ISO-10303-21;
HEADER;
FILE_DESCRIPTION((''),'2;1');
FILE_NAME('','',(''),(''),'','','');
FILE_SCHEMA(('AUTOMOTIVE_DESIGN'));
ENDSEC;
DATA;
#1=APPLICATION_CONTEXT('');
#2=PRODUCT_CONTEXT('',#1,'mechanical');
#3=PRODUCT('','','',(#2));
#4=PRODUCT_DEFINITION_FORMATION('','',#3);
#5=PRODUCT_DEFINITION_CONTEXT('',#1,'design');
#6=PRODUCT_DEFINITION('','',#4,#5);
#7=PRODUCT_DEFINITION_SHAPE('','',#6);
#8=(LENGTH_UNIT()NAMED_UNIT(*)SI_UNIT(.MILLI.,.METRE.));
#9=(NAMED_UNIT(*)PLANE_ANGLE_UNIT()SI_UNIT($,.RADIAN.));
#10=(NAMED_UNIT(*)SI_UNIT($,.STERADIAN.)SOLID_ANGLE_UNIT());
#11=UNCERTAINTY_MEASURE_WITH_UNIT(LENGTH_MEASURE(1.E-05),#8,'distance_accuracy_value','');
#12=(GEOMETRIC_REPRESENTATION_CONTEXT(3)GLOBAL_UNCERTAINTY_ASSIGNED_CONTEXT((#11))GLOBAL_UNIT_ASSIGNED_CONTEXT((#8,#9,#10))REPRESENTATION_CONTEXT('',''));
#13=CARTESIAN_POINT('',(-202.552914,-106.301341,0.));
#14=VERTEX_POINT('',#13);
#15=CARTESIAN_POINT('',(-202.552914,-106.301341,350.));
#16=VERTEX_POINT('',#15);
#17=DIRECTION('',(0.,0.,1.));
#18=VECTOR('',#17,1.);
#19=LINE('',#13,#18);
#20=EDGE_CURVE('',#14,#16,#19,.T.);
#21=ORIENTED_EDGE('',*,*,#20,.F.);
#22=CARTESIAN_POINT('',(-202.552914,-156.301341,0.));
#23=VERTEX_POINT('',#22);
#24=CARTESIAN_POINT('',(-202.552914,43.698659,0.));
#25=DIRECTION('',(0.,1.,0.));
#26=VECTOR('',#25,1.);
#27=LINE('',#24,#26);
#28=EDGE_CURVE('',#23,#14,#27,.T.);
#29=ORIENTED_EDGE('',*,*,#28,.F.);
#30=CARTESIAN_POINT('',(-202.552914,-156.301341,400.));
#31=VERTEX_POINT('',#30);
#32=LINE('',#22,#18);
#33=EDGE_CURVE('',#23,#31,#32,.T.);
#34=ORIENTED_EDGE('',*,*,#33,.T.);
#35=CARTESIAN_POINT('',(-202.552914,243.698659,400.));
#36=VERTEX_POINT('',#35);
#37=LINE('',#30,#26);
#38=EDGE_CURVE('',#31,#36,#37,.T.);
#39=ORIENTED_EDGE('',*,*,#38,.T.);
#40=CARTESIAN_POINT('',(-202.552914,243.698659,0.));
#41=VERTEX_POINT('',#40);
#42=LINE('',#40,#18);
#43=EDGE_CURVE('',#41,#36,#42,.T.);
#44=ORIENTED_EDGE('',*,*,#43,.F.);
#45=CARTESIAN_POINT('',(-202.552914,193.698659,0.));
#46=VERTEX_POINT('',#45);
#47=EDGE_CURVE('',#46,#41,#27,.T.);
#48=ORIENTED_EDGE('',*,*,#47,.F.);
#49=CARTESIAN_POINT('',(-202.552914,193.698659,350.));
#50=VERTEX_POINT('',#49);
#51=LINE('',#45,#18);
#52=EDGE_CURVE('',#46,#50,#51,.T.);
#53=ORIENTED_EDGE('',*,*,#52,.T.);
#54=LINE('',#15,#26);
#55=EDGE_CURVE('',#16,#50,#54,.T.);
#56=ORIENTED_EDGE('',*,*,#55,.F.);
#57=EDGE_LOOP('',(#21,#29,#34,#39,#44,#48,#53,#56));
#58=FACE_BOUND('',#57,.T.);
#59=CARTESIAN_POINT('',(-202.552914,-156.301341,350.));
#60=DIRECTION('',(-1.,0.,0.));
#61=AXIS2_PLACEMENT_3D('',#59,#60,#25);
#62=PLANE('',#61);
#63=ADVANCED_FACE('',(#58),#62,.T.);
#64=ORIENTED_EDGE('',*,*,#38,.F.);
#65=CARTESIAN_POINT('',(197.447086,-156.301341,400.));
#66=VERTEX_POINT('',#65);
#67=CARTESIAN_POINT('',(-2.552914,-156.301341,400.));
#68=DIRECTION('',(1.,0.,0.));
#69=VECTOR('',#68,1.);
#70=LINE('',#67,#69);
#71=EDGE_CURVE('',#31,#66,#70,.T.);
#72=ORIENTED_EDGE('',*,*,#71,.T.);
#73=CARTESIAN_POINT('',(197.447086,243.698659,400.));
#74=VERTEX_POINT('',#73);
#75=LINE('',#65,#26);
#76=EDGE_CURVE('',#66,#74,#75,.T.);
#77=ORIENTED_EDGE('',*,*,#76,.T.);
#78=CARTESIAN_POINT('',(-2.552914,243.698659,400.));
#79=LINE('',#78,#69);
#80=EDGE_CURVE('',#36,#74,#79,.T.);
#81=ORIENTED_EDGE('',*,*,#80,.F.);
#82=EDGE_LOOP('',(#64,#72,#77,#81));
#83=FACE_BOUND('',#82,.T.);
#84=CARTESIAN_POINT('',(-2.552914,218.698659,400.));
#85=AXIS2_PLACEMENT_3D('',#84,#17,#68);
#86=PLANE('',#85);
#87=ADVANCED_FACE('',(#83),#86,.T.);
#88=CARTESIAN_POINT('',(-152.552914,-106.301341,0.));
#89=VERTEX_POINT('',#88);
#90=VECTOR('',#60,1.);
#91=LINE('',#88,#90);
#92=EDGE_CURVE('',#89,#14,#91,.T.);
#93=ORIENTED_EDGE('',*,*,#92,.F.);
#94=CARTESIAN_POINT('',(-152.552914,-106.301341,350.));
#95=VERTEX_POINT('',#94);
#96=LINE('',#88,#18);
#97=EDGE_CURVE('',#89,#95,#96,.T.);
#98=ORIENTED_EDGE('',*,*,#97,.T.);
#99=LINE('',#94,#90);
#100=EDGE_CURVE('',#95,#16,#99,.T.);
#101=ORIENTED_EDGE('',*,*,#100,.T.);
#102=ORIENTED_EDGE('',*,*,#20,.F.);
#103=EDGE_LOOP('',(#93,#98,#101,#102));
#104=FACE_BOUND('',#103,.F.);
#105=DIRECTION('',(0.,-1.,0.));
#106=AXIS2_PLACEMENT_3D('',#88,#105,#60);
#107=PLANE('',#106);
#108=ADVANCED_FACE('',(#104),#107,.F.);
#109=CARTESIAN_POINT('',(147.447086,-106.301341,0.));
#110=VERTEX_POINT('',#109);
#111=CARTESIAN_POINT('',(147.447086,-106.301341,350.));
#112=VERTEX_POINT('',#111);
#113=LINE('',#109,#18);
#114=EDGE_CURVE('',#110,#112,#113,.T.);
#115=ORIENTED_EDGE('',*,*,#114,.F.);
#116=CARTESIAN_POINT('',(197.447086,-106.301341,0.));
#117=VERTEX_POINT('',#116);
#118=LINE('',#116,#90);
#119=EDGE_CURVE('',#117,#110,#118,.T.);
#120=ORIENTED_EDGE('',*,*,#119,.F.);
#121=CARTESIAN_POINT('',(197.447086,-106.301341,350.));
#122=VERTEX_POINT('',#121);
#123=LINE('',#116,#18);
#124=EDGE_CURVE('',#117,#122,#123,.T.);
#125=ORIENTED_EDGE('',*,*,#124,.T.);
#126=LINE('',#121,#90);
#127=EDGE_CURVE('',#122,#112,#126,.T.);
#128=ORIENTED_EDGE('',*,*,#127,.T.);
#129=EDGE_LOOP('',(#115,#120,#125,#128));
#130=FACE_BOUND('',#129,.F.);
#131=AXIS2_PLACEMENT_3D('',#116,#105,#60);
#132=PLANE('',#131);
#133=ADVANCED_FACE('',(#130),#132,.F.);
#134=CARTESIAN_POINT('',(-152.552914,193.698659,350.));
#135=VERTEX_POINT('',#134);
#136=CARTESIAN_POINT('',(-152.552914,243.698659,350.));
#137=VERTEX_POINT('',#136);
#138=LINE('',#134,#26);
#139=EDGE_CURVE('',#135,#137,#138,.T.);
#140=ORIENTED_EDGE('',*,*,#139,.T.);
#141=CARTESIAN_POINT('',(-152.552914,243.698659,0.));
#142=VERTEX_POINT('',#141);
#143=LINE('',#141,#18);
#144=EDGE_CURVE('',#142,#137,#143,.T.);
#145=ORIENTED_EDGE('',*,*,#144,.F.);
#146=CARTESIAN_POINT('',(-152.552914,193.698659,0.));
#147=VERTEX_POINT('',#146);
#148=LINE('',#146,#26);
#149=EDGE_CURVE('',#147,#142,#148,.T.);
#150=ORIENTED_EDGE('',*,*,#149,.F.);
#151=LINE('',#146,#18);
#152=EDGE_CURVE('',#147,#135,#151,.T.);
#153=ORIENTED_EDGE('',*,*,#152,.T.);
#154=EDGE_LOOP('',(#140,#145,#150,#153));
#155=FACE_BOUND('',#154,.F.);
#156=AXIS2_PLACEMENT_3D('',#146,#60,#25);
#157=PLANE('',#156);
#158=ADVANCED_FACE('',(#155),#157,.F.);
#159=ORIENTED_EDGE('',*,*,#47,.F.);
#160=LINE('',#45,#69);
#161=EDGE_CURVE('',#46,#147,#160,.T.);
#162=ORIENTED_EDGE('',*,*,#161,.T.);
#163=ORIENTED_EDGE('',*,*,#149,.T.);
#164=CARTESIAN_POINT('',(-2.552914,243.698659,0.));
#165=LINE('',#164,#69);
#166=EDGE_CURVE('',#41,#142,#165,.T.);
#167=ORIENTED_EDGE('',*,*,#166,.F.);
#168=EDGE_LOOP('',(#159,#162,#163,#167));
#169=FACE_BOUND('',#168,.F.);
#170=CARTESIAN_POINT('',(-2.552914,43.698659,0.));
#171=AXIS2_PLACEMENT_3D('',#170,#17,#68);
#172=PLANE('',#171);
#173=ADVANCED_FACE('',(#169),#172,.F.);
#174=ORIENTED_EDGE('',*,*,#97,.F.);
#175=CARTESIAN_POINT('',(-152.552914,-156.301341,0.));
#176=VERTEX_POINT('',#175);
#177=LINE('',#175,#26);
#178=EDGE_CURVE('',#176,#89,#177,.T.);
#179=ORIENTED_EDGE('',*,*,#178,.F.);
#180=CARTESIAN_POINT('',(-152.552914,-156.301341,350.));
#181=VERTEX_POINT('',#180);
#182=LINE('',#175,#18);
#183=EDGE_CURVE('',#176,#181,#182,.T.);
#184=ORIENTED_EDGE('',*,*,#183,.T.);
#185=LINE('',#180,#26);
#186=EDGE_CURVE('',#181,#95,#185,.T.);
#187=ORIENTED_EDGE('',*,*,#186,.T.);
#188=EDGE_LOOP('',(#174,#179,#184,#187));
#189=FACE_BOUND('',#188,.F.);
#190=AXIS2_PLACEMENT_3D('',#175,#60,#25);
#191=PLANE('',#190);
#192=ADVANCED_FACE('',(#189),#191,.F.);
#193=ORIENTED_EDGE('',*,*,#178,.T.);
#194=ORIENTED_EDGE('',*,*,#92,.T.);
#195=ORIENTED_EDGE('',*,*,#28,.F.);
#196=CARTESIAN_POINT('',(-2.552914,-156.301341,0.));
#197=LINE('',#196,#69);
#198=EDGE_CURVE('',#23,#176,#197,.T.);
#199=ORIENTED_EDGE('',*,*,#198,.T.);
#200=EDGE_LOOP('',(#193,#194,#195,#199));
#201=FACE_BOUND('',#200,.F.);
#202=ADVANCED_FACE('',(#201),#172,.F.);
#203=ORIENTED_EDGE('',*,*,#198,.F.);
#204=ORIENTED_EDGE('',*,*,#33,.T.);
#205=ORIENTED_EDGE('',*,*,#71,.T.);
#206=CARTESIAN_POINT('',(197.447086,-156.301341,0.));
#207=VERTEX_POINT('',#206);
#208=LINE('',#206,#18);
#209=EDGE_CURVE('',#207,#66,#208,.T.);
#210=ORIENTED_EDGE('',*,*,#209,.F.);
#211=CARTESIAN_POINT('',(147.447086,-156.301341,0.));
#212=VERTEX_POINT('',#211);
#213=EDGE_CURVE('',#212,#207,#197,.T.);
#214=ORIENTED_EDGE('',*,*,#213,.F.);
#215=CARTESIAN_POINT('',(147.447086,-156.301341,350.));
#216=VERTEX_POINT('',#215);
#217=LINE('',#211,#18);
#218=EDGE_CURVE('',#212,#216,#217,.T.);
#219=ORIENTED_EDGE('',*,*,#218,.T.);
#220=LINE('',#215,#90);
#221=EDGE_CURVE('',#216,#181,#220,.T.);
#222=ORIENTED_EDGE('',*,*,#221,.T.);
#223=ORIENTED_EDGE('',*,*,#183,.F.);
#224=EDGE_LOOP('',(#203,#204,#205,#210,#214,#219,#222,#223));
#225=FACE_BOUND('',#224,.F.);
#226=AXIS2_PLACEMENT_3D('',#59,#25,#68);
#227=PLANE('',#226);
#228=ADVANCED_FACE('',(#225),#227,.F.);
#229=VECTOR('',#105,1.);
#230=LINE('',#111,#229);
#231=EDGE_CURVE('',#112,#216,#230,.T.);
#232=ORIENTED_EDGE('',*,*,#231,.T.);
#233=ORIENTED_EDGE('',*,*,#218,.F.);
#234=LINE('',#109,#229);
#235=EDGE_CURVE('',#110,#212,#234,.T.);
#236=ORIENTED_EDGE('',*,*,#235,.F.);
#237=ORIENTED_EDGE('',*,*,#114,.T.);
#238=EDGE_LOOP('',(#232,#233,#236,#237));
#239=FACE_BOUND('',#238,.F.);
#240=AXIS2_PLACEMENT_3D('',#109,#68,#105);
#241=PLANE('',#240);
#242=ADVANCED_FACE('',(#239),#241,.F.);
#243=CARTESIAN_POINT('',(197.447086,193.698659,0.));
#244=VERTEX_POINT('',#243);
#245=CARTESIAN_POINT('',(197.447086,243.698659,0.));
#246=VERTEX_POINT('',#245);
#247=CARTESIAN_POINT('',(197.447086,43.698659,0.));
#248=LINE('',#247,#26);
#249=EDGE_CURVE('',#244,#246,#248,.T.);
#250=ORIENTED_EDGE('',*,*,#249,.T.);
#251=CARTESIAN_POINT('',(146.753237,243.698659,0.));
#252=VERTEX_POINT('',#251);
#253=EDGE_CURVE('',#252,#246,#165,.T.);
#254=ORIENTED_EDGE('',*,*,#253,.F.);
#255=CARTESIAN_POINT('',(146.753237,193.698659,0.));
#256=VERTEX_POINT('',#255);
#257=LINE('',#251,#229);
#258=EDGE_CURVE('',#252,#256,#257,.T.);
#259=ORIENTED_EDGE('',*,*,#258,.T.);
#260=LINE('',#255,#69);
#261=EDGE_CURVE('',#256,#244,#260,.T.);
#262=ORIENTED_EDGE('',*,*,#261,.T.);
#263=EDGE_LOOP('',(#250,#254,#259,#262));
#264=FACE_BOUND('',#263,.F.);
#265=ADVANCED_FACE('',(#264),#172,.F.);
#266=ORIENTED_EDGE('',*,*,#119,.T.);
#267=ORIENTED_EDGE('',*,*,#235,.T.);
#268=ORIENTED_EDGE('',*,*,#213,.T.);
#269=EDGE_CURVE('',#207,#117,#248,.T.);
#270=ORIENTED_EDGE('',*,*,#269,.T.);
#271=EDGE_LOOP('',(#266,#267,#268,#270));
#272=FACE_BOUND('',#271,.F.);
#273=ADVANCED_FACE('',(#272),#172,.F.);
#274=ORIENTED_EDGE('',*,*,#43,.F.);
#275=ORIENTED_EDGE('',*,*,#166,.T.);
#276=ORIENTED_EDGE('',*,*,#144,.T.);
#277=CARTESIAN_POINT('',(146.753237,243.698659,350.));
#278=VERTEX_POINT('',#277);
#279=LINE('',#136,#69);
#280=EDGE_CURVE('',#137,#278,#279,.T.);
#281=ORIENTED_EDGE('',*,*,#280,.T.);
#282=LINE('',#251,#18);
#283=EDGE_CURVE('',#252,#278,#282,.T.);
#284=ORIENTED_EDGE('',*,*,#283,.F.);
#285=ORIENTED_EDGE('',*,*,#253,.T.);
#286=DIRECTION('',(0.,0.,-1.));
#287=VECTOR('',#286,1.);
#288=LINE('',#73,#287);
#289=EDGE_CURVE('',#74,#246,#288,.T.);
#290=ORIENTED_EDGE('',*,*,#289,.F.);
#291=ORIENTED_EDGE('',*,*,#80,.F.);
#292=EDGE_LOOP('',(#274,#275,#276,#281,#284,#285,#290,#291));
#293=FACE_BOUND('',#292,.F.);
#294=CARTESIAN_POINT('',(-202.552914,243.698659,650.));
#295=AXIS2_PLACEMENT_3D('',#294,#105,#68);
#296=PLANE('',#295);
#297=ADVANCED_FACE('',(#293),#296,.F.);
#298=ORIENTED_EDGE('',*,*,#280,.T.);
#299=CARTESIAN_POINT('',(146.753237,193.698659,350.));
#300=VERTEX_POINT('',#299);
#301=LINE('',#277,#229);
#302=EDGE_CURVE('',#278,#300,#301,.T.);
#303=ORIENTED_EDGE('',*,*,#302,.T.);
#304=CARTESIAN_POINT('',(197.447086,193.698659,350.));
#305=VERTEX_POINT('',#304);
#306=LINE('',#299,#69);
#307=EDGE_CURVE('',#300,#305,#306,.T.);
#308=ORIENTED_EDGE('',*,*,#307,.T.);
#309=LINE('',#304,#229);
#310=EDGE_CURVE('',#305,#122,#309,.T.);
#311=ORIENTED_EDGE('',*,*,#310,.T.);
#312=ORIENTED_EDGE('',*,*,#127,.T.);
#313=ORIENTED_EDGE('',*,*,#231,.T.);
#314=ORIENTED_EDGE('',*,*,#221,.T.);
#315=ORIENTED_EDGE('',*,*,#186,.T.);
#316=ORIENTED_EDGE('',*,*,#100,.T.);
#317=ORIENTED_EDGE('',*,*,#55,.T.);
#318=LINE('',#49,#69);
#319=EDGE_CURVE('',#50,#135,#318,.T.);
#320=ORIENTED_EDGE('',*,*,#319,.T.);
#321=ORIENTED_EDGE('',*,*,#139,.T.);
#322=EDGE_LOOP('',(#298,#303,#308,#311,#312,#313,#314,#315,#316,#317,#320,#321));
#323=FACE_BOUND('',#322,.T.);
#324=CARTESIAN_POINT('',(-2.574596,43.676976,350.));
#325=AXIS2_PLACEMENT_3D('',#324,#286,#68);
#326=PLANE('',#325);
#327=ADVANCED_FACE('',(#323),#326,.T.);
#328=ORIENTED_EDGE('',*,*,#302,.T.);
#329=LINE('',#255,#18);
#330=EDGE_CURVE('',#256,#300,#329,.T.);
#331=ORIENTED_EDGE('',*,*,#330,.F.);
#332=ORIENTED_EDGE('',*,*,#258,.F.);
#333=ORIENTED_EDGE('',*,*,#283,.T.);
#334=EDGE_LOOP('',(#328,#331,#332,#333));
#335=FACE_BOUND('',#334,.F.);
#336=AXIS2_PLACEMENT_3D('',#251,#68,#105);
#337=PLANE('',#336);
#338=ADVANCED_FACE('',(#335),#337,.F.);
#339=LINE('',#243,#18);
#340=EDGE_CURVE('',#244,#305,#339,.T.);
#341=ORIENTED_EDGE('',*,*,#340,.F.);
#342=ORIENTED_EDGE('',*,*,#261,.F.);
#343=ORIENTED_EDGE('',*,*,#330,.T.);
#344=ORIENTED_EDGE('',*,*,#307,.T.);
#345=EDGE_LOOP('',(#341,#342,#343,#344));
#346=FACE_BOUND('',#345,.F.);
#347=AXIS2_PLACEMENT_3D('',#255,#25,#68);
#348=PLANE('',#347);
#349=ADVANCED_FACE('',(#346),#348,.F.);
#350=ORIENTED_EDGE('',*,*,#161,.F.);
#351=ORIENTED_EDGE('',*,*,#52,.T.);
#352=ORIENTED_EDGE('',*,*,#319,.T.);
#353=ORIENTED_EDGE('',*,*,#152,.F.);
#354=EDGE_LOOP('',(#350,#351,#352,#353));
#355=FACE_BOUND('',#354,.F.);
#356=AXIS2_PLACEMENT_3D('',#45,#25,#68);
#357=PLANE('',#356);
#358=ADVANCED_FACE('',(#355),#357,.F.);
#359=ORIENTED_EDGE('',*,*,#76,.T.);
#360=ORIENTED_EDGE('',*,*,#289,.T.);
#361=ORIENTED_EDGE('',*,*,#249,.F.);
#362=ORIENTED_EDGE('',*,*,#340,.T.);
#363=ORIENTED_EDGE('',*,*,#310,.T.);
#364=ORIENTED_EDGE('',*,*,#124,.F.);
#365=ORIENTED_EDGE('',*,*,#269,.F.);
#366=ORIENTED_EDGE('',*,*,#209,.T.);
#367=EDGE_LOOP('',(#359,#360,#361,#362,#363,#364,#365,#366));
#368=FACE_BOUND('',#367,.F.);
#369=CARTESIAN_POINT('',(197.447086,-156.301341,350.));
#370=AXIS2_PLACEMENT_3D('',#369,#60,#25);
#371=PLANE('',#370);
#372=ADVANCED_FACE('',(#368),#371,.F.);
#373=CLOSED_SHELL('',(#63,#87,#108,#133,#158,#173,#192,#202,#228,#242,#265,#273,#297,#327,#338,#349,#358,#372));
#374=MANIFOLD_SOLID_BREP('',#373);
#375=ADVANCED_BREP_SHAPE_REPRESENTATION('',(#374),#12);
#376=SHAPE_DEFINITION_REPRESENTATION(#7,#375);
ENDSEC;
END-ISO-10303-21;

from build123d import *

# Parameters (mm, degrees)
F0_W      = 400
F0_H      = 400
F1_DEPTH  = 350
F2_W      = 400
F2_H      = 50
F3_DEPTH  = 300
F5_DEPTH  = 50
F6_DEPTH  = 250
F7_DEPTH  = 250
F8_W      = 400
F8_H      = 96.5097817794
F9_DEPTH  = 300
F10_DEPTH = 50
F11_DEPTH = 350
F12_DEPTH = 345.44


with BuildPart() as f1:
    # F0 (on Top) → F1 (new body)
    with BuildSketch(Plane.XY):
        with Locations((-2.5529135019, 43.6986592397)):
            Rectangle(F0_W, F0_H)
    extrude(amount=F1_DEPTH)

    # F2 (on face) → F3 (join)
    with BuildSketch(Plane.XY.offset(350)):
        with Locations((-2.5529135019, 218.6986592397)):
            Rectangle(F2_W, F2_H)
    extrude(amount=F3_DEPTH)

    # F5 (add): a face of the model
    f5_faces = [f1.faces().sort_by_distance(p)[0] for p in [
        (-2.5529135019, 18.6986592397, 350),
    ]]
    extrude(f5_faces, amount=F5_DEPTH)

    # F6 (add): a face of the model
    f6_faces = [f1.faces().sort_by_distance(p)[0] for p in [
        (-2.5529135019, 218.6986592397, 650),
    ]]
    extrude(f6_faces, amount=-F6_DEPTH)

    # F7 (cut): a face of the model
    f7_faces = [f1.faces().sort_by_distance(p)[0] for p in [
        (-2.5529135019, 218.6986592397, 650),
    ]]
    extrude(f7_faces, amount=-F7_DEPTH, mode=Mode.SUBTRACT)

    # F8 (on face) → F9 (join)
    with BuildSketch(Plane.XY.offset(400)):
        with Locations((-2.5529135019, 291.9535501294)):
            Rectangle(F8_W, F8_H)
    extrude(amount=F9_DEPTH)

    # F10 (add): a face of the model
    f10_faces = [f1.faces().sort_by_distance(p)[0] for p in [
        (-2.5529135019, 243.6986592397, 550),
    ]]
    extrude(f10_faces, amount=-F10_DEPTH)

    # F4 (on face) → F11 (cut)
    with BuildSketch(Plane(origin=(0, 0, 0), x_dir=(1, 0, 0), z_dir=(0, 0, -1))):
        Polygon((147.4470864981, 156.3013407603), (-152.5529135019, 156.3013407603), (-152.5529135019, 106.3013407603), (-202.5529135019, 106.3013407603), (-202.5529135019, -193.6986592397), (-152.5529135019, -193.6986592397), (-152.5529135019, -243.6986592397), (146.7532366514, -243.6986592397), (146.7532366514, -193.6986592397), (197.4470864981, -193.6986592397), (197.4470864981, 106.3013407603), (147.4470864981, 106.3013407603), align=None)
    extrude(amount=-F11_DEPTH, mode=Mode.SUBTRACT)

    # F12 (cut): a face of the model
    f12_faces = [f1.faces().sort_by_distance(p)[0] for p in [
        (-2.5529135019, 291.9535501294, 700),
    ]]
    extrude(f12_faces, amount=-F12_DEPTH, mode=Mode.SUBTRACT)


solid = f1.part
